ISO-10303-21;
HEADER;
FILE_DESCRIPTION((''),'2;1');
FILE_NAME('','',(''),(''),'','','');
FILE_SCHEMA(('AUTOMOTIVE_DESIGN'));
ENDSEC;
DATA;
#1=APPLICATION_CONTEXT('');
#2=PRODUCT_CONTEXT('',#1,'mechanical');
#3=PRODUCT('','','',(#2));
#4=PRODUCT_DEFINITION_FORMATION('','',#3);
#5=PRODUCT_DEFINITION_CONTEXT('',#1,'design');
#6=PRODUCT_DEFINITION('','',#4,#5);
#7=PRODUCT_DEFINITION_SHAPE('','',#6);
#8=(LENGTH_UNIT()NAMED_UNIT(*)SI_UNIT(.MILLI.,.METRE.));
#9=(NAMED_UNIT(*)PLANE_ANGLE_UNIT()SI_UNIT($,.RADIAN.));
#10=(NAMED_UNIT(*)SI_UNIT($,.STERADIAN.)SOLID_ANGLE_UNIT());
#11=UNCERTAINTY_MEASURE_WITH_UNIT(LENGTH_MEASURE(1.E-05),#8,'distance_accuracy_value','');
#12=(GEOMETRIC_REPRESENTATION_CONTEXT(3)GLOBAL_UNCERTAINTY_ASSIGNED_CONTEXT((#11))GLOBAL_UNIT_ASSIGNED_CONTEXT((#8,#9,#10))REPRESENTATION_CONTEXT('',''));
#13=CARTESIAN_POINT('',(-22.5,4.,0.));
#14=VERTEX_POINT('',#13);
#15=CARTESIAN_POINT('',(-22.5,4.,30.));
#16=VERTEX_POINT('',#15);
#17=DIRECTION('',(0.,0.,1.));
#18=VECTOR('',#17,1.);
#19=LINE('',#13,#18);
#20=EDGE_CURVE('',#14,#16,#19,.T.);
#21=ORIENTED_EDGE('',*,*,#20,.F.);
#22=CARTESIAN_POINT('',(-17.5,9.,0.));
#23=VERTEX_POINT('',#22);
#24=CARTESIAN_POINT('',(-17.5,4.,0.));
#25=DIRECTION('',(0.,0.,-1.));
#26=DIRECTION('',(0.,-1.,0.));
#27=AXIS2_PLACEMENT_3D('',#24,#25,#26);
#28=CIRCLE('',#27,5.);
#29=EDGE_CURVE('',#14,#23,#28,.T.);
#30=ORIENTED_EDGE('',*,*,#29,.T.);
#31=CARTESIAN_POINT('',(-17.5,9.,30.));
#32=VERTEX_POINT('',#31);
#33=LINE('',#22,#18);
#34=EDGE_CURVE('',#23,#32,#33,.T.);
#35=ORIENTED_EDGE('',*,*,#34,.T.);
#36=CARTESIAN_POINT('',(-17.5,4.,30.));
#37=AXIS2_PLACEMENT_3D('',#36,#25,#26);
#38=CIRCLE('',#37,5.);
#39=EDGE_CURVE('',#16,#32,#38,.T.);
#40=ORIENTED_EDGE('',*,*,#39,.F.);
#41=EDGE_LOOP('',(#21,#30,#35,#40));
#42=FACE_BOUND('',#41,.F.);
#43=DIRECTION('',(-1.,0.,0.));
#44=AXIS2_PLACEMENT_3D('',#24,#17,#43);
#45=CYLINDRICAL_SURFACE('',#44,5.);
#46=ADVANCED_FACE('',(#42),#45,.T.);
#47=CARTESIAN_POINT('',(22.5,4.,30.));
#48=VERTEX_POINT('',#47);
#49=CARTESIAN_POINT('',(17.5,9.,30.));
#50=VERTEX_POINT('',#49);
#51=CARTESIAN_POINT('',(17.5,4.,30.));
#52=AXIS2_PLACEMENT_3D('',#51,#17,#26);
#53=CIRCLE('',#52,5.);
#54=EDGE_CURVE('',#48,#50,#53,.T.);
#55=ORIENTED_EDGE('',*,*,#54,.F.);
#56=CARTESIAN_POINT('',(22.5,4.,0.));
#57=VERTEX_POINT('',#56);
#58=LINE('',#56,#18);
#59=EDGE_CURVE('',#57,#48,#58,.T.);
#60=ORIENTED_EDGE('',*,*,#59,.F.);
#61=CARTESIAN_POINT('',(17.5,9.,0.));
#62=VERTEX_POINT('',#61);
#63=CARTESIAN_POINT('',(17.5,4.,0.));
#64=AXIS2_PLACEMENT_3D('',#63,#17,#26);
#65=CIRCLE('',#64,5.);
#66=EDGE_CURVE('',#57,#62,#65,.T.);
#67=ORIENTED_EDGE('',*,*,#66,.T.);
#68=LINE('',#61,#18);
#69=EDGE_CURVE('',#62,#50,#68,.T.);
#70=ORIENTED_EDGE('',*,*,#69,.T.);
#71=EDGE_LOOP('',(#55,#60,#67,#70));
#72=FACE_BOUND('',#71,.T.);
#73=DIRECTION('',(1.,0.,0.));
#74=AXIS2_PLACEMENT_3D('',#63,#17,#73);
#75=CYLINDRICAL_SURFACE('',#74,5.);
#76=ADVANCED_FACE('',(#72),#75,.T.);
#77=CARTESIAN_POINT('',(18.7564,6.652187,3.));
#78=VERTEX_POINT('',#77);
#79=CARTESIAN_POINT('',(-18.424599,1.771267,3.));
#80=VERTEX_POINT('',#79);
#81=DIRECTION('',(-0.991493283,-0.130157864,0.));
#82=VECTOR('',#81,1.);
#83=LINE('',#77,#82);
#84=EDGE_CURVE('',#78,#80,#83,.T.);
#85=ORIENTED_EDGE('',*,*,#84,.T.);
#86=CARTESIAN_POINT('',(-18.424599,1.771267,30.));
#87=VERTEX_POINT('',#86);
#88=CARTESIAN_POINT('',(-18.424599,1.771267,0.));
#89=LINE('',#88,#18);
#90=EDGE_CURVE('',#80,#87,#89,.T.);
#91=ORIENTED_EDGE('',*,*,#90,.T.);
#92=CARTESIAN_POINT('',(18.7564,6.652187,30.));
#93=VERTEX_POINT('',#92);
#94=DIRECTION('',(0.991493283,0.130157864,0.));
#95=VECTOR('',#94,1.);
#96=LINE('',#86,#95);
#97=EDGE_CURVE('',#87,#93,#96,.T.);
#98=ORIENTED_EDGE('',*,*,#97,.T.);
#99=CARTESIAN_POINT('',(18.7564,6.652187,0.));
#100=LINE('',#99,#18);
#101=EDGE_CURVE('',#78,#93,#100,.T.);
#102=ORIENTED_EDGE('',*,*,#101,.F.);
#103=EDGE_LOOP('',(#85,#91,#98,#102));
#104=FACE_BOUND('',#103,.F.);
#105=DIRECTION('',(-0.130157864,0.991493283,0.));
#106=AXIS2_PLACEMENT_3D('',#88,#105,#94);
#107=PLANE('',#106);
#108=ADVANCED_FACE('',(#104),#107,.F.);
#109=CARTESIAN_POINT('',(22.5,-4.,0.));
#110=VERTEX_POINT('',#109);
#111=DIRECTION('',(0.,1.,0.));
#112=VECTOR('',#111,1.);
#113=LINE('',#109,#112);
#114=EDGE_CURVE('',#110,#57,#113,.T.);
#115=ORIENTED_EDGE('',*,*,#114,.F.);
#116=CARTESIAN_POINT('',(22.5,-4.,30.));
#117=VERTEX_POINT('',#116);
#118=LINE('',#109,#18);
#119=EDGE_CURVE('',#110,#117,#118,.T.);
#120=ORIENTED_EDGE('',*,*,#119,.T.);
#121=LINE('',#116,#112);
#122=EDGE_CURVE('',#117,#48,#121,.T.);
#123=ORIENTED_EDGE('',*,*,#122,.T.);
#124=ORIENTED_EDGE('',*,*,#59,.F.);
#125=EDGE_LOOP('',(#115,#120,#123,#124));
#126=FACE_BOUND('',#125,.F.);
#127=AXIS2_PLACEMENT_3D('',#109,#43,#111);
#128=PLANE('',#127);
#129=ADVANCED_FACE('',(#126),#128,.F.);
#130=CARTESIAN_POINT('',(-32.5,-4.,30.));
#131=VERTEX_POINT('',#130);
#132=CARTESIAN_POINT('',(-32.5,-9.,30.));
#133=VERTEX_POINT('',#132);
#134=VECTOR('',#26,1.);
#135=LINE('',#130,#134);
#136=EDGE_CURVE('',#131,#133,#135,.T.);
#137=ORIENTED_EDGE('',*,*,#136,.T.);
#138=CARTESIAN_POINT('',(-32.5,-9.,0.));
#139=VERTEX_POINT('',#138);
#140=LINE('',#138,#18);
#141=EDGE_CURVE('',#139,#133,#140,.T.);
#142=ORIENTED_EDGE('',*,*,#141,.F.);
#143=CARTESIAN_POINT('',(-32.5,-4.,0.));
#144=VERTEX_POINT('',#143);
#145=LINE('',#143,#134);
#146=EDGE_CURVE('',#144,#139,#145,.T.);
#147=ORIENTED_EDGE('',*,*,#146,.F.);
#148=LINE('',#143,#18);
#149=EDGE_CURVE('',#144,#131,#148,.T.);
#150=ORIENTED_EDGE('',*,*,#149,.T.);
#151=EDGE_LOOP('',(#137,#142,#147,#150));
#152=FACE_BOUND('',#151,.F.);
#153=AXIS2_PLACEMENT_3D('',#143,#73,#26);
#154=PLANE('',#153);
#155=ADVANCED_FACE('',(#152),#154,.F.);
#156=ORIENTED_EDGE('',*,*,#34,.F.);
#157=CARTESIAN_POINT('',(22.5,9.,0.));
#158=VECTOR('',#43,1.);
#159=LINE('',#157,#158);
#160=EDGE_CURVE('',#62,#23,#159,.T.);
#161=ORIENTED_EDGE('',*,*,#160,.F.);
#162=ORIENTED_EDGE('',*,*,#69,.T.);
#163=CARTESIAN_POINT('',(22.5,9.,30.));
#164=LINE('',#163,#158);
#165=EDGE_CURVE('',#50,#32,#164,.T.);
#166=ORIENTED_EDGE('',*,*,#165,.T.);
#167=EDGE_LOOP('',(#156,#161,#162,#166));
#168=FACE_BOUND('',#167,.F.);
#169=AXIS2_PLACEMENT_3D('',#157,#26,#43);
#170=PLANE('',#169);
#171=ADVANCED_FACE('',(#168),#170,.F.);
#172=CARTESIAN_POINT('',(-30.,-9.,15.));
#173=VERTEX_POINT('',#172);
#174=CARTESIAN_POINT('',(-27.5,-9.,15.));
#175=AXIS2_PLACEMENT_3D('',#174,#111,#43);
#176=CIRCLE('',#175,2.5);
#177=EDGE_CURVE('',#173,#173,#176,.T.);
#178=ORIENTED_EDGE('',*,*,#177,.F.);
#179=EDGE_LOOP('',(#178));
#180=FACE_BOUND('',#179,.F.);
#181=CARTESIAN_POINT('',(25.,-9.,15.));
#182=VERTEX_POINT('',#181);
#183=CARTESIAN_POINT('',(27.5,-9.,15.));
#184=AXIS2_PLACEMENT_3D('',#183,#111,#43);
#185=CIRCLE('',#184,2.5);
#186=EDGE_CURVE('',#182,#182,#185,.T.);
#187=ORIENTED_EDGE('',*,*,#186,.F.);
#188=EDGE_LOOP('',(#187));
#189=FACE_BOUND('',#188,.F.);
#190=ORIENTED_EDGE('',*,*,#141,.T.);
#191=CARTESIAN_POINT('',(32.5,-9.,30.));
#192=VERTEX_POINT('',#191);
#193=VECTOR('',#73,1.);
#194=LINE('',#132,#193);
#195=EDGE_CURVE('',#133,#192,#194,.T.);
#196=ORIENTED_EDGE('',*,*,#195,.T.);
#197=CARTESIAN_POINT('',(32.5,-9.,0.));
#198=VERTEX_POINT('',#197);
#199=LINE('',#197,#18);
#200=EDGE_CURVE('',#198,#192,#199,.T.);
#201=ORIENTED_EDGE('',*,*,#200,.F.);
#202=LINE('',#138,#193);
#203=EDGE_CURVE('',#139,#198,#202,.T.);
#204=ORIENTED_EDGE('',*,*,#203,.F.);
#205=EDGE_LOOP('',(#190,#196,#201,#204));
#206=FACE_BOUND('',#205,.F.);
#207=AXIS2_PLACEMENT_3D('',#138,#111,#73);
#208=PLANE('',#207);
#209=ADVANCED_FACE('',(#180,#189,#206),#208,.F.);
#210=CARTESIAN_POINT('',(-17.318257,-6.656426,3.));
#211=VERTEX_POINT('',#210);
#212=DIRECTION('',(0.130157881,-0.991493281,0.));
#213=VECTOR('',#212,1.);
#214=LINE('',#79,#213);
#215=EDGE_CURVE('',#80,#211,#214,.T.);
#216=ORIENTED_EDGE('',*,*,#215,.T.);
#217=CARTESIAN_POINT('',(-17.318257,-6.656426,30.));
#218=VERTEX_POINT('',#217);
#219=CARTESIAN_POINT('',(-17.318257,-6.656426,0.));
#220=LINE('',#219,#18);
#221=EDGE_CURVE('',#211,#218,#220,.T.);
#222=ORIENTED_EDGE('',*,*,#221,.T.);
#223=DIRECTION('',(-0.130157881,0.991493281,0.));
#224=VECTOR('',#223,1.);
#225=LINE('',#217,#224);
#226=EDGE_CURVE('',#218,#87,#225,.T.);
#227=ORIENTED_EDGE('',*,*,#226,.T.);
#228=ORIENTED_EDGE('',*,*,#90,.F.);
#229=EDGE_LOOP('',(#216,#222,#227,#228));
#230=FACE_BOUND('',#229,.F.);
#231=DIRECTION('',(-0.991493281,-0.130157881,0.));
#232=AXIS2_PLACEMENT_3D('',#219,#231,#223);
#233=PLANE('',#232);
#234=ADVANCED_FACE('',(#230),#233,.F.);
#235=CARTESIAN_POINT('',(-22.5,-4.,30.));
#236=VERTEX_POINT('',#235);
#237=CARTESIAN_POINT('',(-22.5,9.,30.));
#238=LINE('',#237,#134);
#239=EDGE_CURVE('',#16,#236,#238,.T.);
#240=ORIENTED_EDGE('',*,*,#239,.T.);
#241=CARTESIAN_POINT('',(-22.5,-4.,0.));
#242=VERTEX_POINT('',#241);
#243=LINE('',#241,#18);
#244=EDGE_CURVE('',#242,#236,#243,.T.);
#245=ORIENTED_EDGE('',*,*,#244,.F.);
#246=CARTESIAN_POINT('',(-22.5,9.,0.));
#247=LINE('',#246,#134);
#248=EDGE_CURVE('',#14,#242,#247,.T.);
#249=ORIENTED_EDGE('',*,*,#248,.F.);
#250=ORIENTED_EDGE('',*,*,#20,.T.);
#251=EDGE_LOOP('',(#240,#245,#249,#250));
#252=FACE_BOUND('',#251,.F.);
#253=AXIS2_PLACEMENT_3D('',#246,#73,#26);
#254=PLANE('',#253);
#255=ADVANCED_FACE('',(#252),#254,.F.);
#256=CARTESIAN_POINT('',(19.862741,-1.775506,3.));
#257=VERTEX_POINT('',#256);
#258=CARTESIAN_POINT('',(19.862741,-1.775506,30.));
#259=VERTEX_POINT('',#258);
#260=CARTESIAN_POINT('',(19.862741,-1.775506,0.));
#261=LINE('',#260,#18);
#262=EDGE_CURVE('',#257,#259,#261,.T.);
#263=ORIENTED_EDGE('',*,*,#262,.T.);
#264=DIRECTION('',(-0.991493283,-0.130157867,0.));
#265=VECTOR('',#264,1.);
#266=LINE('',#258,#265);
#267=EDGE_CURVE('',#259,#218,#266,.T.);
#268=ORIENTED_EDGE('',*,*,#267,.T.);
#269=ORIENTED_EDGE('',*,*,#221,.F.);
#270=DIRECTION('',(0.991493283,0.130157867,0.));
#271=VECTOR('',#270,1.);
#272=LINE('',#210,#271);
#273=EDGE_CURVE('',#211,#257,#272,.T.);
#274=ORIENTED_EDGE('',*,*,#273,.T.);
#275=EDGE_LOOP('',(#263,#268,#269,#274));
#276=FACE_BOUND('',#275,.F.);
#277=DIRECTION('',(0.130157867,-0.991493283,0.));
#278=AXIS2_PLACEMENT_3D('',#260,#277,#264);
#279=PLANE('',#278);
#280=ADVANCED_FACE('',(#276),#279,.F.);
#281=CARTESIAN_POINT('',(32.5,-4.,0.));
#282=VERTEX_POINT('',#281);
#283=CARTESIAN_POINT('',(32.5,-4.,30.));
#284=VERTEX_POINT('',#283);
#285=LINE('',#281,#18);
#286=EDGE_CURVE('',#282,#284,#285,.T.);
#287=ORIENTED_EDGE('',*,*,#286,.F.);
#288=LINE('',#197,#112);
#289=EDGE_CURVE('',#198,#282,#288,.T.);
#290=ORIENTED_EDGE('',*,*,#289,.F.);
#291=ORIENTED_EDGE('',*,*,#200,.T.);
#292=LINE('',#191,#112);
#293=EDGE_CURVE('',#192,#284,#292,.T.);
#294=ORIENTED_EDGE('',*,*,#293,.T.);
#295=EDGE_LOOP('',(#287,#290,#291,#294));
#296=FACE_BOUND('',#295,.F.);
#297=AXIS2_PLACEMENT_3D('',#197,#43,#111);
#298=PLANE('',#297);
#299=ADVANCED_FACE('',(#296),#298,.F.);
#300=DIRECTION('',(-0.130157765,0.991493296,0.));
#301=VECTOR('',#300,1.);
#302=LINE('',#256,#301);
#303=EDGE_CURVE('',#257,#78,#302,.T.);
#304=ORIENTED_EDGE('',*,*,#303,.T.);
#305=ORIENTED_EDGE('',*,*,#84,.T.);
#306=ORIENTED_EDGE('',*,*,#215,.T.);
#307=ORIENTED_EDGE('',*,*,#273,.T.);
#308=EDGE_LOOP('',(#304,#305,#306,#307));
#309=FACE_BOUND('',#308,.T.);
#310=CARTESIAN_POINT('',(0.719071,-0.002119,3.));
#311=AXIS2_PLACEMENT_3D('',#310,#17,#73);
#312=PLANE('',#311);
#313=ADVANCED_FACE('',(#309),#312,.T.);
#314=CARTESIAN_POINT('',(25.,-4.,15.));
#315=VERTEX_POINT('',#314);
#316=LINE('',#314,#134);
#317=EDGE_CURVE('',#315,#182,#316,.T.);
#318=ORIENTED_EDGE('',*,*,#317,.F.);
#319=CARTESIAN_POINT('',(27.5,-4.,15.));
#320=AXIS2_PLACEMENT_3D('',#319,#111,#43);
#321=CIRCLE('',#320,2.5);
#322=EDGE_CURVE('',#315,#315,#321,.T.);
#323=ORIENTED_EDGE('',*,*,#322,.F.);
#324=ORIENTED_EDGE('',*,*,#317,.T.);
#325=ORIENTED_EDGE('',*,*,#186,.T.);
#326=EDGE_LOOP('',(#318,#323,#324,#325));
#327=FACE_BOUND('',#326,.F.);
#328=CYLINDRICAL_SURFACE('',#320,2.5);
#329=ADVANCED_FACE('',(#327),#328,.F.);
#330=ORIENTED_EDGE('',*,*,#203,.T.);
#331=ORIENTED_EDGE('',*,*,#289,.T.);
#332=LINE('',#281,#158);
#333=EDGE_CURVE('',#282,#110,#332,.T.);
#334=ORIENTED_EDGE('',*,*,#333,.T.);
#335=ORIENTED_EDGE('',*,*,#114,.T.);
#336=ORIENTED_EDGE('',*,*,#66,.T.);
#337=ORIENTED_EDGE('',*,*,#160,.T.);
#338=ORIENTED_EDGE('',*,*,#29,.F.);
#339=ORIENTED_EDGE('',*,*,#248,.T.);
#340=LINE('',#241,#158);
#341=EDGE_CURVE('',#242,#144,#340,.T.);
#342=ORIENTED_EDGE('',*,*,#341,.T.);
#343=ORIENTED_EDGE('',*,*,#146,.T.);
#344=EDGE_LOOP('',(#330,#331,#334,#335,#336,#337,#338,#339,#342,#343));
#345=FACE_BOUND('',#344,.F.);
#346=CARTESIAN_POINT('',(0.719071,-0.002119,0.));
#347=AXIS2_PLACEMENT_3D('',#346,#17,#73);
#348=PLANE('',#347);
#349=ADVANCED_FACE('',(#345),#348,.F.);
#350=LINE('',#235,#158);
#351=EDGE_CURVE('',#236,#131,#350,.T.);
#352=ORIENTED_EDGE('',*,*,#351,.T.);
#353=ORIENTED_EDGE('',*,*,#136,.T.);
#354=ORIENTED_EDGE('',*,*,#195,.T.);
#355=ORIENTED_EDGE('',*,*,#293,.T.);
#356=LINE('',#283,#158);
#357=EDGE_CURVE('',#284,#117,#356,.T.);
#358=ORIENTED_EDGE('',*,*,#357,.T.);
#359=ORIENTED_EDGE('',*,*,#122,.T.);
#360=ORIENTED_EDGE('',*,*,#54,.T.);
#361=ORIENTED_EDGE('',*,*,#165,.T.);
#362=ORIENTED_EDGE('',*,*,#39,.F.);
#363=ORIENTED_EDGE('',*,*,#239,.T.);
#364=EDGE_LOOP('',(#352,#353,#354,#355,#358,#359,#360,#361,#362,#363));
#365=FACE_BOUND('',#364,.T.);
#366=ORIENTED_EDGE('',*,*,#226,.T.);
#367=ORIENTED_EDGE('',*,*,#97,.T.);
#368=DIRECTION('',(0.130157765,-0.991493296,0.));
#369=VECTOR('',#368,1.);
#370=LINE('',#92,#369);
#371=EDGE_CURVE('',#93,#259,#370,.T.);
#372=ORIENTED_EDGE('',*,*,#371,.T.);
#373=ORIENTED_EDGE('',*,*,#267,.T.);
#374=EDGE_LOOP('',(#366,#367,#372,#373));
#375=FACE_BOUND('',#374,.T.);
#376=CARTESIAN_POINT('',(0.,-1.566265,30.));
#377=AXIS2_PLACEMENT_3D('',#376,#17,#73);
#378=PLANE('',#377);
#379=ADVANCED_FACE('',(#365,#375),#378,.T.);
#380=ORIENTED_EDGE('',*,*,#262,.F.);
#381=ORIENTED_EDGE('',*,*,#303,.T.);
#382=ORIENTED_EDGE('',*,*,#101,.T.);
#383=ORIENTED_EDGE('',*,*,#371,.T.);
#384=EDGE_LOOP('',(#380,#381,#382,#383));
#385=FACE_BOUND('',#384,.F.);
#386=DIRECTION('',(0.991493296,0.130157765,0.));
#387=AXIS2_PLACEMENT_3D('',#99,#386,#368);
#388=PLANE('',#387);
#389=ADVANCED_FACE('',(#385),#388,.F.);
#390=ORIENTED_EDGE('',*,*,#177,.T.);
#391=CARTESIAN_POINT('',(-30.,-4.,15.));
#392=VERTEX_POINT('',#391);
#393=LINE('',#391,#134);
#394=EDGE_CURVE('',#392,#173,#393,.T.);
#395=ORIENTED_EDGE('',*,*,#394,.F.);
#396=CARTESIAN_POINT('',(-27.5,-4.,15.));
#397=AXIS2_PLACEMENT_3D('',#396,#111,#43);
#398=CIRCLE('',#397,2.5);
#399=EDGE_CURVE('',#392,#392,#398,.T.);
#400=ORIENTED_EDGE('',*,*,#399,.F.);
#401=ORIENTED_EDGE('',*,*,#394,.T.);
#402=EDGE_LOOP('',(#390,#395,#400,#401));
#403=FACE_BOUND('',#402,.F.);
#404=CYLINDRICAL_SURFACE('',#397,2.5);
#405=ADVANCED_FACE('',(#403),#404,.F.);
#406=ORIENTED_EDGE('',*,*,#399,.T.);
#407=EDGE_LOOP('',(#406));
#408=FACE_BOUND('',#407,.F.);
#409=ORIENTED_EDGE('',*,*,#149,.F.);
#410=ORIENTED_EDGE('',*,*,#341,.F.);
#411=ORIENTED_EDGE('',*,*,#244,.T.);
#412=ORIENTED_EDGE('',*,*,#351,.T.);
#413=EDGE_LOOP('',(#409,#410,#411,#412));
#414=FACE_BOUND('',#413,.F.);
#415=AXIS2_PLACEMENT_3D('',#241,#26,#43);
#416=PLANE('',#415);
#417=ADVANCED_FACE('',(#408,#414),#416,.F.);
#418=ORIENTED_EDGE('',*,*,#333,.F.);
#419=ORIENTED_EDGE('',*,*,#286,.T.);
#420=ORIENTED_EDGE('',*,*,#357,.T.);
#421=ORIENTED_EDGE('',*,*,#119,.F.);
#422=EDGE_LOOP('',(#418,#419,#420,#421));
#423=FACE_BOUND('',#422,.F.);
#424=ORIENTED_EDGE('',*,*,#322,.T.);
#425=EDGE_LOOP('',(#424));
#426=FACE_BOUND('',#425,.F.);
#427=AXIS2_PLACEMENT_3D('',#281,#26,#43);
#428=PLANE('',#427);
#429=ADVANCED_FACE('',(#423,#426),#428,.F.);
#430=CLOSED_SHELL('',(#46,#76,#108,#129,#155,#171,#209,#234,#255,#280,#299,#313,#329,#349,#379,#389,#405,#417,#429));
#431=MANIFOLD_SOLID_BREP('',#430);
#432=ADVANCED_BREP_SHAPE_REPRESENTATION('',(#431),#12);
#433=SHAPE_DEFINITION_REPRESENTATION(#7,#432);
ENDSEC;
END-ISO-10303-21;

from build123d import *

# Parameters (mm, degrees)
F1_DEPTH = 30
F2_DEPTH = 3
F3_R     = 5
F5_R     = 2.5
F4_R     = 2.5
F6_DEPTH = 25


with BuildPart() as f1:
    # F0 (on Top) → F1 (new body)
    with BuildSketch(Plane.XY):
        Polygon((-32.5, -9), (32.5, -9), (32.5, -4), (22.5, -4), (22.5, 9), (-22.5, 9), (-22.5, -4), (-32.5, -4), align=None)
        Polygon((18.7564, 6.652187), (19.862741, -1.775506), (-17.318257, -6.656426), (-18.424599, 1.771267), align=None, mode=Mode.SUBTRACT)
    extrude(amount=F1_DEPTH)

    # F0 (on Top) → F2 (join)
    with BuildSketch(Plane.XY):
        Polygon((-17.318257, -6.656426), (19.862741, -1.775506), (18.7564, 6.652187), (-18.424599, 1.771267), align=None)
    extrude(amount=F2_DEPTH)

    # F3
    f3_edges = [f1.edges().sort_by_distance(p)[0] for p in [
        (22.5, 9, 15),
        (-22.5, 9, 15),
    ]]
    fillet(f3_edges, radius=F3_R)

    # F5 (on face) + F4 (on face) → F6 (cut)
    with BuildSketch(Plane(origin=(0, -4, 0), x_dir=(-1, 0, 0), z_dir=(0, 1, 0))):
        with Locations((27.5, 15)):
            Circle(F5_R)
    with BuildSketch(Plane(origin=(0, -4, 0), x_dir=(-1, 0, 0), z_dir=(0, 1, 0))):
        with Locations((-27.5, 15)):
            Circle(F4_R)
    extrude(amount=-F6_DEPTH, mode=Mode.SUBTRACT)


solid = f1.part
